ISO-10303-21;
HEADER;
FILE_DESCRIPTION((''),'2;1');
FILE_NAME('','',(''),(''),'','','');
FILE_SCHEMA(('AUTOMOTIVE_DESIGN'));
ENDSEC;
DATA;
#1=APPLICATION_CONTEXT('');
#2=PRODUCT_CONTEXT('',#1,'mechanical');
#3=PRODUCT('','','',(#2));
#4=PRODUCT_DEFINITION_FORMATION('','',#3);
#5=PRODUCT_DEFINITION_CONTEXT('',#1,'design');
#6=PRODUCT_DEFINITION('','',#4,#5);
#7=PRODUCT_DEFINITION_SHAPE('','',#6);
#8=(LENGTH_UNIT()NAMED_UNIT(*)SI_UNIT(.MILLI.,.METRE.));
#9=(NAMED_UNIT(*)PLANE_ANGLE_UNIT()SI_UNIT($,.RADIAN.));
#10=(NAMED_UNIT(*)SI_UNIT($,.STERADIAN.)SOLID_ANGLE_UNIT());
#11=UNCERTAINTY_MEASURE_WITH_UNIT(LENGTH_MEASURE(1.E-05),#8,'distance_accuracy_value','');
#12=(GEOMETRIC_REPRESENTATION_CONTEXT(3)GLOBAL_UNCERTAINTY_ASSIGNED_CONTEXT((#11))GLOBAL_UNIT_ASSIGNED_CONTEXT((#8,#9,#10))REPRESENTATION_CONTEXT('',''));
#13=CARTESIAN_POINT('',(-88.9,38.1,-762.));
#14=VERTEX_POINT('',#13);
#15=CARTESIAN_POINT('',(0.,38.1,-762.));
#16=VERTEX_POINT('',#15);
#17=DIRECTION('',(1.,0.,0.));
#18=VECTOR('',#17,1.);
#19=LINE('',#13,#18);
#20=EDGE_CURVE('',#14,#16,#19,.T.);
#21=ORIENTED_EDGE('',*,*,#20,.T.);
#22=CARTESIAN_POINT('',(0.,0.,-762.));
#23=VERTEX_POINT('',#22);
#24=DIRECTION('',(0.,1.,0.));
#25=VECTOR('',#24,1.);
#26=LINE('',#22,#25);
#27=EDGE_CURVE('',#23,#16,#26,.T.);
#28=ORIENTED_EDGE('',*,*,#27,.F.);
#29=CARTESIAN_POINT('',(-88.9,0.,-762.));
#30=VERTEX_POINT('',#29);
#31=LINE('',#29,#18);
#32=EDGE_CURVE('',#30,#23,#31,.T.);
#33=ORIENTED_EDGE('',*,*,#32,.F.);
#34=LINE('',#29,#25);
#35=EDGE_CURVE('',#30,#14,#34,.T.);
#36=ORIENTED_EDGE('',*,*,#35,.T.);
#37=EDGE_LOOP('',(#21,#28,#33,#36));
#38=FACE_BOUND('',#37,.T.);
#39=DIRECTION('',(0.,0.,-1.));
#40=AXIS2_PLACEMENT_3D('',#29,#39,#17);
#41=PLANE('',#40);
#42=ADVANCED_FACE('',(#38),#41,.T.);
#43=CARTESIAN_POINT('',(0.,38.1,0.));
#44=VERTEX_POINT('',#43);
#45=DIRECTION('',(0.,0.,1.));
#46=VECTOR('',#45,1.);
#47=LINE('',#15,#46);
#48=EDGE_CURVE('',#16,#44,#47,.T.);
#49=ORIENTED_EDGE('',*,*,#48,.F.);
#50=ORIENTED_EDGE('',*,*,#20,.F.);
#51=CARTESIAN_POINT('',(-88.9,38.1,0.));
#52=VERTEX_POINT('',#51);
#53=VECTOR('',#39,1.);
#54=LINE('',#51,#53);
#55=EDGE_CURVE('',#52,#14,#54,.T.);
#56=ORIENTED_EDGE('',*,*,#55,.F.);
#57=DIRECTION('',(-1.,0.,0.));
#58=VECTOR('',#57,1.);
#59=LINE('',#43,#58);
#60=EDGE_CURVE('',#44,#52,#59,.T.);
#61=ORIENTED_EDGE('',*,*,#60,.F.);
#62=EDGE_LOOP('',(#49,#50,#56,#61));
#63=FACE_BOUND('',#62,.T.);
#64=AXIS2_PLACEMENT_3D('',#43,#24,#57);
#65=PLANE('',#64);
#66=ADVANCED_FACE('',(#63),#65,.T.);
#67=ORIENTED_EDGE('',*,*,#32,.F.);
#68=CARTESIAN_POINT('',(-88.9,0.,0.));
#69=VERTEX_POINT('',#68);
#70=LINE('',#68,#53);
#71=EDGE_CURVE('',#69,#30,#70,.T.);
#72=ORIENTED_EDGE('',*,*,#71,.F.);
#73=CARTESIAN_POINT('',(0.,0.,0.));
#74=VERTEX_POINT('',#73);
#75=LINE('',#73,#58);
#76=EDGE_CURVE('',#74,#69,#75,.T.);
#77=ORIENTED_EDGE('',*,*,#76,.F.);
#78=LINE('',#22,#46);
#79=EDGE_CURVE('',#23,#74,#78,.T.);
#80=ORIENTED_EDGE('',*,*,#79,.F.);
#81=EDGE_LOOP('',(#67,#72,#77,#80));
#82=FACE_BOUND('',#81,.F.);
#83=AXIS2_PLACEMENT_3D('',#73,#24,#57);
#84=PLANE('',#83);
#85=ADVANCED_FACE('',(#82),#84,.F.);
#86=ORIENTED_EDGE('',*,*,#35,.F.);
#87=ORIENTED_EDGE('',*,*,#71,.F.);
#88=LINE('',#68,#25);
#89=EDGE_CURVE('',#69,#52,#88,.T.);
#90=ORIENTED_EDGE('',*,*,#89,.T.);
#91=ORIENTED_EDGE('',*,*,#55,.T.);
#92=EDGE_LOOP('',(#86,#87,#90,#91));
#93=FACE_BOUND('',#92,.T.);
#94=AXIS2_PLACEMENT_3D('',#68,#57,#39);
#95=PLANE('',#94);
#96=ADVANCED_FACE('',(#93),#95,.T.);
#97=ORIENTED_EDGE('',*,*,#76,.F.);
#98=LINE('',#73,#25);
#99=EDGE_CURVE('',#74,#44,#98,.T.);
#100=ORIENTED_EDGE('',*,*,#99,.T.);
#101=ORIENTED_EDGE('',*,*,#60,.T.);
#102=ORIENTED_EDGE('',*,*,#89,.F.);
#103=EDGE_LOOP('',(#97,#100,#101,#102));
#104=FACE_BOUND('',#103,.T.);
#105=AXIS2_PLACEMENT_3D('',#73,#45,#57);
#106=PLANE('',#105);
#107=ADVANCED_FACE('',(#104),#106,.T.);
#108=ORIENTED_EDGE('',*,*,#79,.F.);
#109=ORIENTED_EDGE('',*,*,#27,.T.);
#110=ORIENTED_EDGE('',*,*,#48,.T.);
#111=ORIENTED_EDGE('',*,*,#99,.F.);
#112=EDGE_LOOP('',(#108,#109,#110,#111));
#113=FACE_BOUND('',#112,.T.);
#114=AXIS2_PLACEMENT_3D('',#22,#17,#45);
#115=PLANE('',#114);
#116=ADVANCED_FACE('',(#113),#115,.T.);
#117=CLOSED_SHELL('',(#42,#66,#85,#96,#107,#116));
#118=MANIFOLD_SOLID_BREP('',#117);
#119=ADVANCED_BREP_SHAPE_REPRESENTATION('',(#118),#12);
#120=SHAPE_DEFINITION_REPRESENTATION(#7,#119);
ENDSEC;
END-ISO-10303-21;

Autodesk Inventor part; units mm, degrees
ref_plane "YZ Plane" through (0, 0, 0) normal (1, 0, 0) x (0, 1, 0)
ref_plane "XZ Plane" through (0, 0, 0) normal (0, 1, 0) x (-1, 0, 0)
ref_plane "XY Plane" through (0, 0, 0) normal (0, 0, 1) x (1, 0, 0)
sketch "Sketch1" plane through (0, 0, 0) normal (0, 1, 0) x (-1, 0, 0)
  line L0 (0, 0) -> (88.9, 0)
  line L1 (88.9, 0) -> (88.9, -762)
  line L2 (88.9, -762) -> (0, -762)
  line L3 (0, -762) -> (0, 0)
  dimension "d0" = 88.9
  dimension "d1" = 762
extrude "Extrusion1" add sketch "Sketch1" along normal blind 38.1
